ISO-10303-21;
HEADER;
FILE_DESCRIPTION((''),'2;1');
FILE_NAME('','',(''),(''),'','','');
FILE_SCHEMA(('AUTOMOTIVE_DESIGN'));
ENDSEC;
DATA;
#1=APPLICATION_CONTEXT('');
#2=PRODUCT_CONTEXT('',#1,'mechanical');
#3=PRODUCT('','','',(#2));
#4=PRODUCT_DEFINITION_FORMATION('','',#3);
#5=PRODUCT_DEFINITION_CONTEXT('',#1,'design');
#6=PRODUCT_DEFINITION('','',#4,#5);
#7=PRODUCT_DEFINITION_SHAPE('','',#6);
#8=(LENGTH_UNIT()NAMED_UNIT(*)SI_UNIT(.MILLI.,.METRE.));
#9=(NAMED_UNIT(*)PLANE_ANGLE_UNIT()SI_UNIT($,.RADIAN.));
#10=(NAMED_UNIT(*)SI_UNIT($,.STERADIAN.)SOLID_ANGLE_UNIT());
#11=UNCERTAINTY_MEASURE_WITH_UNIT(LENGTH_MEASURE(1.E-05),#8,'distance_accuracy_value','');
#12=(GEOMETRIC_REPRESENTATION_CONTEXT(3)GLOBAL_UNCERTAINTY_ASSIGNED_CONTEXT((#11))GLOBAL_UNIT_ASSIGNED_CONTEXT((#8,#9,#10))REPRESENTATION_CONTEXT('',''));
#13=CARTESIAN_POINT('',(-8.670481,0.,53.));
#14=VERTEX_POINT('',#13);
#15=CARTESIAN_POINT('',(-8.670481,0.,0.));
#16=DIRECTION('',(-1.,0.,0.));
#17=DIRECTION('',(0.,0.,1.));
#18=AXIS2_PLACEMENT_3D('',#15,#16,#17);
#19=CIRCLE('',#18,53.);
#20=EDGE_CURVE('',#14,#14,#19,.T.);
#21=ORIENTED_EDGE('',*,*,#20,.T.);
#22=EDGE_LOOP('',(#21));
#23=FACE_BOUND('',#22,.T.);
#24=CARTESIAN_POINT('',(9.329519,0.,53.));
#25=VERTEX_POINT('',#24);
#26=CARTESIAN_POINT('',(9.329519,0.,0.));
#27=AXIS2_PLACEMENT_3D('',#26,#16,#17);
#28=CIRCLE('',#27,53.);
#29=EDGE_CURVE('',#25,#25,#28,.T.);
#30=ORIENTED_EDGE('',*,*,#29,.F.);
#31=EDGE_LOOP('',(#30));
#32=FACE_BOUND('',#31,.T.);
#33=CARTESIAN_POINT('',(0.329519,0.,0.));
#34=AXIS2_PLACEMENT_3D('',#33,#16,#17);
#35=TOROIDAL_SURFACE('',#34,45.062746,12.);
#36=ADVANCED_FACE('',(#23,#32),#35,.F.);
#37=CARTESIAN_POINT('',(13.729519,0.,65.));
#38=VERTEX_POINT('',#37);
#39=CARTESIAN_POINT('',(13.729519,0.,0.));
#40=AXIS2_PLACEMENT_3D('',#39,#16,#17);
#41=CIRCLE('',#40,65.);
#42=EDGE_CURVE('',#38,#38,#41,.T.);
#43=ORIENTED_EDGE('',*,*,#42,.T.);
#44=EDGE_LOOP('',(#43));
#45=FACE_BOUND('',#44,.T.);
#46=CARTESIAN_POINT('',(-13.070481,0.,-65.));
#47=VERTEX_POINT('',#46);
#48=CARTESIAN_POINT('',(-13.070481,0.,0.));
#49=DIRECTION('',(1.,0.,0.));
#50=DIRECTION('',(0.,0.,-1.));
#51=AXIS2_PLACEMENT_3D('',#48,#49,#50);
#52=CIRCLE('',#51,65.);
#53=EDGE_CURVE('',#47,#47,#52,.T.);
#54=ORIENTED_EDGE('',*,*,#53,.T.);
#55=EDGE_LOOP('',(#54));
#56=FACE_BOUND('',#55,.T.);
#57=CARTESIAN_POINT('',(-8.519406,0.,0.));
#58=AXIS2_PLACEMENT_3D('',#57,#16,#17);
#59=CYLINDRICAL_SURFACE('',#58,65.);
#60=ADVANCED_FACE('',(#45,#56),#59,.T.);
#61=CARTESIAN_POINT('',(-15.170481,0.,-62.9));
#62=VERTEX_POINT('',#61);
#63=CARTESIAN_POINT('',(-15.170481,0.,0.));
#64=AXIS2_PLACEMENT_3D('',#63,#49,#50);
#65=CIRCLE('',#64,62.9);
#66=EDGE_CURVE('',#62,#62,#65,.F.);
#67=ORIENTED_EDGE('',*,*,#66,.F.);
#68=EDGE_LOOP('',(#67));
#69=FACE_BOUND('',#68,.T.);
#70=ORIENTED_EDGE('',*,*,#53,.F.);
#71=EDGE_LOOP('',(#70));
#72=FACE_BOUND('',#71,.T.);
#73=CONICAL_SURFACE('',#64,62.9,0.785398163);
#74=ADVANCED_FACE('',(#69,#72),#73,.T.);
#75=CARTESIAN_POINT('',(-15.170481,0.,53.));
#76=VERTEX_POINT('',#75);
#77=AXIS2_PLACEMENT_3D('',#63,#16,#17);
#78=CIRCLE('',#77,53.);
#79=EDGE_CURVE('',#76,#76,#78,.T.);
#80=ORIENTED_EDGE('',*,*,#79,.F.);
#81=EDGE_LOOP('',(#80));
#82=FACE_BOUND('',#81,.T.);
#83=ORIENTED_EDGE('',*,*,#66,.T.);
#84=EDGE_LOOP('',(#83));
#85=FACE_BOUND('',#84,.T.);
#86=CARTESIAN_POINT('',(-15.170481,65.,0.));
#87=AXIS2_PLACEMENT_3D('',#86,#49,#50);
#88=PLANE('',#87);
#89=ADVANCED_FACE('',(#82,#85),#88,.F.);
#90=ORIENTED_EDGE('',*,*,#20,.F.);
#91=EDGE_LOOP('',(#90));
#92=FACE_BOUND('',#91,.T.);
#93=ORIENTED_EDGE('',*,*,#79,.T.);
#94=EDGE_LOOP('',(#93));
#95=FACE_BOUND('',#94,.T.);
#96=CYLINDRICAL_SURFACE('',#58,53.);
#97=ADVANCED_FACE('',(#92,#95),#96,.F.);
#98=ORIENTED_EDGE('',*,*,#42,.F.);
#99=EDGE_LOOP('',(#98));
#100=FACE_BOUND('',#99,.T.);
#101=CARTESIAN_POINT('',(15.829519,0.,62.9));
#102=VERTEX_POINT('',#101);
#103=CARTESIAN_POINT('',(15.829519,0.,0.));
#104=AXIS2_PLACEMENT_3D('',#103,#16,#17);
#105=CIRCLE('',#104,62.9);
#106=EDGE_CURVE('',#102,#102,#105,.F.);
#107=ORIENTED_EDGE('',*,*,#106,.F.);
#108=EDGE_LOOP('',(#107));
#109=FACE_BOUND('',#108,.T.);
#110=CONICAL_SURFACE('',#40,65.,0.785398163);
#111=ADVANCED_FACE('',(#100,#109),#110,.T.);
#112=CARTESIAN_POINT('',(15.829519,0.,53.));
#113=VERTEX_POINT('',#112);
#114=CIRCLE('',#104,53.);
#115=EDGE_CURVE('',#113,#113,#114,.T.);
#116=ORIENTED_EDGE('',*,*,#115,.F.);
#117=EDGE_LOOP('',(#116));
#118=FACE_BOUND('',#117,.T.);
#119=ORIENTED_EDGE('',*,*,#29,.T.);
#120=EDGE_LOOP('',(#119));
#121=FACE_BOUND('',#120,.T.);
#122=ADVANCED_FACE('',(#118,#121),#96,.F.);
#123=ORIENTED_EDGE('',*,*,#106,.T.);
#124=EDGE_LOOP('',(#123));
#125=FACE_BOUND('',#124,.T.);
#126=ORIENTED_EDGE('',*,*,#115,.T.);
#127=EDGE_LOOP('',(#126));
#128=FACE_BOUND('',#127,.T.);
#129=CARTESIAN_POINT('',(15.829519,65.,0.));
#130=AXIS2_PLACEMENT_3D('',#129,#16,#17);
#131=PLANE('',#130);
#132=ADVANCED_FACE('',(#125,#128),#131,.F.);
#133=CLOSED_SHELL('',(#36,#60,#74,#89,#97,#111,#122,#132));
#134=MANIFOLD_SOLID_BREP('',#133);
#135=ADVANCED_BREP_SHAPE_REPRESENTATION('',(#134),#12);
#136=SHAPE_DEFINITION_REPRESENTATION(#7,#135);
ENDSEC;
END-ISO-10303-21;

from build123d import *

# Parameters (mm, degrees)
CHAMFER1_SIZE = 2.1


with BuildPart() as part:
    # Sketch1 → Revolve1 (revolve)
    with BuildSketch(Plane.XY, mode=Mode.PRIVATE) as revolve1_sk:
        with BuildLine():
            Line((-15.170481252, 65), (15.829518748, 65))
            Line((15.829518748, 65), (15.829518748, 53))
            Line((15.829518748, 53), (9.329518748, 53))
            ThreePointArc((9.329518748, 53), (0.329518748, 57.062746067), (-8.670481252, 53))
            Line((-8.670481252, 53), (-15.170481252, 53))
            Line((-15.170481252, 53), (-15.170481252, 65))
        make_face()
    revolve(revolve1_sk.sketch.rotate(Axis((-8.519406172, 0, 0), (1, 0, 0)), 90), axis=Axis((-8.519406172, 0, 0), (1, 0, 0)))

    # Chamfer1
    chamfer1_edges = [part.edges().sort_by_distance(p)[0] for p in [
        (15.829518748, 0, -65),
        (-15.170481252, 0, -65),
    ]]
    chamfer(chamfer1_edges, length=CHAMFER1_SIZE)


solid = part.part
